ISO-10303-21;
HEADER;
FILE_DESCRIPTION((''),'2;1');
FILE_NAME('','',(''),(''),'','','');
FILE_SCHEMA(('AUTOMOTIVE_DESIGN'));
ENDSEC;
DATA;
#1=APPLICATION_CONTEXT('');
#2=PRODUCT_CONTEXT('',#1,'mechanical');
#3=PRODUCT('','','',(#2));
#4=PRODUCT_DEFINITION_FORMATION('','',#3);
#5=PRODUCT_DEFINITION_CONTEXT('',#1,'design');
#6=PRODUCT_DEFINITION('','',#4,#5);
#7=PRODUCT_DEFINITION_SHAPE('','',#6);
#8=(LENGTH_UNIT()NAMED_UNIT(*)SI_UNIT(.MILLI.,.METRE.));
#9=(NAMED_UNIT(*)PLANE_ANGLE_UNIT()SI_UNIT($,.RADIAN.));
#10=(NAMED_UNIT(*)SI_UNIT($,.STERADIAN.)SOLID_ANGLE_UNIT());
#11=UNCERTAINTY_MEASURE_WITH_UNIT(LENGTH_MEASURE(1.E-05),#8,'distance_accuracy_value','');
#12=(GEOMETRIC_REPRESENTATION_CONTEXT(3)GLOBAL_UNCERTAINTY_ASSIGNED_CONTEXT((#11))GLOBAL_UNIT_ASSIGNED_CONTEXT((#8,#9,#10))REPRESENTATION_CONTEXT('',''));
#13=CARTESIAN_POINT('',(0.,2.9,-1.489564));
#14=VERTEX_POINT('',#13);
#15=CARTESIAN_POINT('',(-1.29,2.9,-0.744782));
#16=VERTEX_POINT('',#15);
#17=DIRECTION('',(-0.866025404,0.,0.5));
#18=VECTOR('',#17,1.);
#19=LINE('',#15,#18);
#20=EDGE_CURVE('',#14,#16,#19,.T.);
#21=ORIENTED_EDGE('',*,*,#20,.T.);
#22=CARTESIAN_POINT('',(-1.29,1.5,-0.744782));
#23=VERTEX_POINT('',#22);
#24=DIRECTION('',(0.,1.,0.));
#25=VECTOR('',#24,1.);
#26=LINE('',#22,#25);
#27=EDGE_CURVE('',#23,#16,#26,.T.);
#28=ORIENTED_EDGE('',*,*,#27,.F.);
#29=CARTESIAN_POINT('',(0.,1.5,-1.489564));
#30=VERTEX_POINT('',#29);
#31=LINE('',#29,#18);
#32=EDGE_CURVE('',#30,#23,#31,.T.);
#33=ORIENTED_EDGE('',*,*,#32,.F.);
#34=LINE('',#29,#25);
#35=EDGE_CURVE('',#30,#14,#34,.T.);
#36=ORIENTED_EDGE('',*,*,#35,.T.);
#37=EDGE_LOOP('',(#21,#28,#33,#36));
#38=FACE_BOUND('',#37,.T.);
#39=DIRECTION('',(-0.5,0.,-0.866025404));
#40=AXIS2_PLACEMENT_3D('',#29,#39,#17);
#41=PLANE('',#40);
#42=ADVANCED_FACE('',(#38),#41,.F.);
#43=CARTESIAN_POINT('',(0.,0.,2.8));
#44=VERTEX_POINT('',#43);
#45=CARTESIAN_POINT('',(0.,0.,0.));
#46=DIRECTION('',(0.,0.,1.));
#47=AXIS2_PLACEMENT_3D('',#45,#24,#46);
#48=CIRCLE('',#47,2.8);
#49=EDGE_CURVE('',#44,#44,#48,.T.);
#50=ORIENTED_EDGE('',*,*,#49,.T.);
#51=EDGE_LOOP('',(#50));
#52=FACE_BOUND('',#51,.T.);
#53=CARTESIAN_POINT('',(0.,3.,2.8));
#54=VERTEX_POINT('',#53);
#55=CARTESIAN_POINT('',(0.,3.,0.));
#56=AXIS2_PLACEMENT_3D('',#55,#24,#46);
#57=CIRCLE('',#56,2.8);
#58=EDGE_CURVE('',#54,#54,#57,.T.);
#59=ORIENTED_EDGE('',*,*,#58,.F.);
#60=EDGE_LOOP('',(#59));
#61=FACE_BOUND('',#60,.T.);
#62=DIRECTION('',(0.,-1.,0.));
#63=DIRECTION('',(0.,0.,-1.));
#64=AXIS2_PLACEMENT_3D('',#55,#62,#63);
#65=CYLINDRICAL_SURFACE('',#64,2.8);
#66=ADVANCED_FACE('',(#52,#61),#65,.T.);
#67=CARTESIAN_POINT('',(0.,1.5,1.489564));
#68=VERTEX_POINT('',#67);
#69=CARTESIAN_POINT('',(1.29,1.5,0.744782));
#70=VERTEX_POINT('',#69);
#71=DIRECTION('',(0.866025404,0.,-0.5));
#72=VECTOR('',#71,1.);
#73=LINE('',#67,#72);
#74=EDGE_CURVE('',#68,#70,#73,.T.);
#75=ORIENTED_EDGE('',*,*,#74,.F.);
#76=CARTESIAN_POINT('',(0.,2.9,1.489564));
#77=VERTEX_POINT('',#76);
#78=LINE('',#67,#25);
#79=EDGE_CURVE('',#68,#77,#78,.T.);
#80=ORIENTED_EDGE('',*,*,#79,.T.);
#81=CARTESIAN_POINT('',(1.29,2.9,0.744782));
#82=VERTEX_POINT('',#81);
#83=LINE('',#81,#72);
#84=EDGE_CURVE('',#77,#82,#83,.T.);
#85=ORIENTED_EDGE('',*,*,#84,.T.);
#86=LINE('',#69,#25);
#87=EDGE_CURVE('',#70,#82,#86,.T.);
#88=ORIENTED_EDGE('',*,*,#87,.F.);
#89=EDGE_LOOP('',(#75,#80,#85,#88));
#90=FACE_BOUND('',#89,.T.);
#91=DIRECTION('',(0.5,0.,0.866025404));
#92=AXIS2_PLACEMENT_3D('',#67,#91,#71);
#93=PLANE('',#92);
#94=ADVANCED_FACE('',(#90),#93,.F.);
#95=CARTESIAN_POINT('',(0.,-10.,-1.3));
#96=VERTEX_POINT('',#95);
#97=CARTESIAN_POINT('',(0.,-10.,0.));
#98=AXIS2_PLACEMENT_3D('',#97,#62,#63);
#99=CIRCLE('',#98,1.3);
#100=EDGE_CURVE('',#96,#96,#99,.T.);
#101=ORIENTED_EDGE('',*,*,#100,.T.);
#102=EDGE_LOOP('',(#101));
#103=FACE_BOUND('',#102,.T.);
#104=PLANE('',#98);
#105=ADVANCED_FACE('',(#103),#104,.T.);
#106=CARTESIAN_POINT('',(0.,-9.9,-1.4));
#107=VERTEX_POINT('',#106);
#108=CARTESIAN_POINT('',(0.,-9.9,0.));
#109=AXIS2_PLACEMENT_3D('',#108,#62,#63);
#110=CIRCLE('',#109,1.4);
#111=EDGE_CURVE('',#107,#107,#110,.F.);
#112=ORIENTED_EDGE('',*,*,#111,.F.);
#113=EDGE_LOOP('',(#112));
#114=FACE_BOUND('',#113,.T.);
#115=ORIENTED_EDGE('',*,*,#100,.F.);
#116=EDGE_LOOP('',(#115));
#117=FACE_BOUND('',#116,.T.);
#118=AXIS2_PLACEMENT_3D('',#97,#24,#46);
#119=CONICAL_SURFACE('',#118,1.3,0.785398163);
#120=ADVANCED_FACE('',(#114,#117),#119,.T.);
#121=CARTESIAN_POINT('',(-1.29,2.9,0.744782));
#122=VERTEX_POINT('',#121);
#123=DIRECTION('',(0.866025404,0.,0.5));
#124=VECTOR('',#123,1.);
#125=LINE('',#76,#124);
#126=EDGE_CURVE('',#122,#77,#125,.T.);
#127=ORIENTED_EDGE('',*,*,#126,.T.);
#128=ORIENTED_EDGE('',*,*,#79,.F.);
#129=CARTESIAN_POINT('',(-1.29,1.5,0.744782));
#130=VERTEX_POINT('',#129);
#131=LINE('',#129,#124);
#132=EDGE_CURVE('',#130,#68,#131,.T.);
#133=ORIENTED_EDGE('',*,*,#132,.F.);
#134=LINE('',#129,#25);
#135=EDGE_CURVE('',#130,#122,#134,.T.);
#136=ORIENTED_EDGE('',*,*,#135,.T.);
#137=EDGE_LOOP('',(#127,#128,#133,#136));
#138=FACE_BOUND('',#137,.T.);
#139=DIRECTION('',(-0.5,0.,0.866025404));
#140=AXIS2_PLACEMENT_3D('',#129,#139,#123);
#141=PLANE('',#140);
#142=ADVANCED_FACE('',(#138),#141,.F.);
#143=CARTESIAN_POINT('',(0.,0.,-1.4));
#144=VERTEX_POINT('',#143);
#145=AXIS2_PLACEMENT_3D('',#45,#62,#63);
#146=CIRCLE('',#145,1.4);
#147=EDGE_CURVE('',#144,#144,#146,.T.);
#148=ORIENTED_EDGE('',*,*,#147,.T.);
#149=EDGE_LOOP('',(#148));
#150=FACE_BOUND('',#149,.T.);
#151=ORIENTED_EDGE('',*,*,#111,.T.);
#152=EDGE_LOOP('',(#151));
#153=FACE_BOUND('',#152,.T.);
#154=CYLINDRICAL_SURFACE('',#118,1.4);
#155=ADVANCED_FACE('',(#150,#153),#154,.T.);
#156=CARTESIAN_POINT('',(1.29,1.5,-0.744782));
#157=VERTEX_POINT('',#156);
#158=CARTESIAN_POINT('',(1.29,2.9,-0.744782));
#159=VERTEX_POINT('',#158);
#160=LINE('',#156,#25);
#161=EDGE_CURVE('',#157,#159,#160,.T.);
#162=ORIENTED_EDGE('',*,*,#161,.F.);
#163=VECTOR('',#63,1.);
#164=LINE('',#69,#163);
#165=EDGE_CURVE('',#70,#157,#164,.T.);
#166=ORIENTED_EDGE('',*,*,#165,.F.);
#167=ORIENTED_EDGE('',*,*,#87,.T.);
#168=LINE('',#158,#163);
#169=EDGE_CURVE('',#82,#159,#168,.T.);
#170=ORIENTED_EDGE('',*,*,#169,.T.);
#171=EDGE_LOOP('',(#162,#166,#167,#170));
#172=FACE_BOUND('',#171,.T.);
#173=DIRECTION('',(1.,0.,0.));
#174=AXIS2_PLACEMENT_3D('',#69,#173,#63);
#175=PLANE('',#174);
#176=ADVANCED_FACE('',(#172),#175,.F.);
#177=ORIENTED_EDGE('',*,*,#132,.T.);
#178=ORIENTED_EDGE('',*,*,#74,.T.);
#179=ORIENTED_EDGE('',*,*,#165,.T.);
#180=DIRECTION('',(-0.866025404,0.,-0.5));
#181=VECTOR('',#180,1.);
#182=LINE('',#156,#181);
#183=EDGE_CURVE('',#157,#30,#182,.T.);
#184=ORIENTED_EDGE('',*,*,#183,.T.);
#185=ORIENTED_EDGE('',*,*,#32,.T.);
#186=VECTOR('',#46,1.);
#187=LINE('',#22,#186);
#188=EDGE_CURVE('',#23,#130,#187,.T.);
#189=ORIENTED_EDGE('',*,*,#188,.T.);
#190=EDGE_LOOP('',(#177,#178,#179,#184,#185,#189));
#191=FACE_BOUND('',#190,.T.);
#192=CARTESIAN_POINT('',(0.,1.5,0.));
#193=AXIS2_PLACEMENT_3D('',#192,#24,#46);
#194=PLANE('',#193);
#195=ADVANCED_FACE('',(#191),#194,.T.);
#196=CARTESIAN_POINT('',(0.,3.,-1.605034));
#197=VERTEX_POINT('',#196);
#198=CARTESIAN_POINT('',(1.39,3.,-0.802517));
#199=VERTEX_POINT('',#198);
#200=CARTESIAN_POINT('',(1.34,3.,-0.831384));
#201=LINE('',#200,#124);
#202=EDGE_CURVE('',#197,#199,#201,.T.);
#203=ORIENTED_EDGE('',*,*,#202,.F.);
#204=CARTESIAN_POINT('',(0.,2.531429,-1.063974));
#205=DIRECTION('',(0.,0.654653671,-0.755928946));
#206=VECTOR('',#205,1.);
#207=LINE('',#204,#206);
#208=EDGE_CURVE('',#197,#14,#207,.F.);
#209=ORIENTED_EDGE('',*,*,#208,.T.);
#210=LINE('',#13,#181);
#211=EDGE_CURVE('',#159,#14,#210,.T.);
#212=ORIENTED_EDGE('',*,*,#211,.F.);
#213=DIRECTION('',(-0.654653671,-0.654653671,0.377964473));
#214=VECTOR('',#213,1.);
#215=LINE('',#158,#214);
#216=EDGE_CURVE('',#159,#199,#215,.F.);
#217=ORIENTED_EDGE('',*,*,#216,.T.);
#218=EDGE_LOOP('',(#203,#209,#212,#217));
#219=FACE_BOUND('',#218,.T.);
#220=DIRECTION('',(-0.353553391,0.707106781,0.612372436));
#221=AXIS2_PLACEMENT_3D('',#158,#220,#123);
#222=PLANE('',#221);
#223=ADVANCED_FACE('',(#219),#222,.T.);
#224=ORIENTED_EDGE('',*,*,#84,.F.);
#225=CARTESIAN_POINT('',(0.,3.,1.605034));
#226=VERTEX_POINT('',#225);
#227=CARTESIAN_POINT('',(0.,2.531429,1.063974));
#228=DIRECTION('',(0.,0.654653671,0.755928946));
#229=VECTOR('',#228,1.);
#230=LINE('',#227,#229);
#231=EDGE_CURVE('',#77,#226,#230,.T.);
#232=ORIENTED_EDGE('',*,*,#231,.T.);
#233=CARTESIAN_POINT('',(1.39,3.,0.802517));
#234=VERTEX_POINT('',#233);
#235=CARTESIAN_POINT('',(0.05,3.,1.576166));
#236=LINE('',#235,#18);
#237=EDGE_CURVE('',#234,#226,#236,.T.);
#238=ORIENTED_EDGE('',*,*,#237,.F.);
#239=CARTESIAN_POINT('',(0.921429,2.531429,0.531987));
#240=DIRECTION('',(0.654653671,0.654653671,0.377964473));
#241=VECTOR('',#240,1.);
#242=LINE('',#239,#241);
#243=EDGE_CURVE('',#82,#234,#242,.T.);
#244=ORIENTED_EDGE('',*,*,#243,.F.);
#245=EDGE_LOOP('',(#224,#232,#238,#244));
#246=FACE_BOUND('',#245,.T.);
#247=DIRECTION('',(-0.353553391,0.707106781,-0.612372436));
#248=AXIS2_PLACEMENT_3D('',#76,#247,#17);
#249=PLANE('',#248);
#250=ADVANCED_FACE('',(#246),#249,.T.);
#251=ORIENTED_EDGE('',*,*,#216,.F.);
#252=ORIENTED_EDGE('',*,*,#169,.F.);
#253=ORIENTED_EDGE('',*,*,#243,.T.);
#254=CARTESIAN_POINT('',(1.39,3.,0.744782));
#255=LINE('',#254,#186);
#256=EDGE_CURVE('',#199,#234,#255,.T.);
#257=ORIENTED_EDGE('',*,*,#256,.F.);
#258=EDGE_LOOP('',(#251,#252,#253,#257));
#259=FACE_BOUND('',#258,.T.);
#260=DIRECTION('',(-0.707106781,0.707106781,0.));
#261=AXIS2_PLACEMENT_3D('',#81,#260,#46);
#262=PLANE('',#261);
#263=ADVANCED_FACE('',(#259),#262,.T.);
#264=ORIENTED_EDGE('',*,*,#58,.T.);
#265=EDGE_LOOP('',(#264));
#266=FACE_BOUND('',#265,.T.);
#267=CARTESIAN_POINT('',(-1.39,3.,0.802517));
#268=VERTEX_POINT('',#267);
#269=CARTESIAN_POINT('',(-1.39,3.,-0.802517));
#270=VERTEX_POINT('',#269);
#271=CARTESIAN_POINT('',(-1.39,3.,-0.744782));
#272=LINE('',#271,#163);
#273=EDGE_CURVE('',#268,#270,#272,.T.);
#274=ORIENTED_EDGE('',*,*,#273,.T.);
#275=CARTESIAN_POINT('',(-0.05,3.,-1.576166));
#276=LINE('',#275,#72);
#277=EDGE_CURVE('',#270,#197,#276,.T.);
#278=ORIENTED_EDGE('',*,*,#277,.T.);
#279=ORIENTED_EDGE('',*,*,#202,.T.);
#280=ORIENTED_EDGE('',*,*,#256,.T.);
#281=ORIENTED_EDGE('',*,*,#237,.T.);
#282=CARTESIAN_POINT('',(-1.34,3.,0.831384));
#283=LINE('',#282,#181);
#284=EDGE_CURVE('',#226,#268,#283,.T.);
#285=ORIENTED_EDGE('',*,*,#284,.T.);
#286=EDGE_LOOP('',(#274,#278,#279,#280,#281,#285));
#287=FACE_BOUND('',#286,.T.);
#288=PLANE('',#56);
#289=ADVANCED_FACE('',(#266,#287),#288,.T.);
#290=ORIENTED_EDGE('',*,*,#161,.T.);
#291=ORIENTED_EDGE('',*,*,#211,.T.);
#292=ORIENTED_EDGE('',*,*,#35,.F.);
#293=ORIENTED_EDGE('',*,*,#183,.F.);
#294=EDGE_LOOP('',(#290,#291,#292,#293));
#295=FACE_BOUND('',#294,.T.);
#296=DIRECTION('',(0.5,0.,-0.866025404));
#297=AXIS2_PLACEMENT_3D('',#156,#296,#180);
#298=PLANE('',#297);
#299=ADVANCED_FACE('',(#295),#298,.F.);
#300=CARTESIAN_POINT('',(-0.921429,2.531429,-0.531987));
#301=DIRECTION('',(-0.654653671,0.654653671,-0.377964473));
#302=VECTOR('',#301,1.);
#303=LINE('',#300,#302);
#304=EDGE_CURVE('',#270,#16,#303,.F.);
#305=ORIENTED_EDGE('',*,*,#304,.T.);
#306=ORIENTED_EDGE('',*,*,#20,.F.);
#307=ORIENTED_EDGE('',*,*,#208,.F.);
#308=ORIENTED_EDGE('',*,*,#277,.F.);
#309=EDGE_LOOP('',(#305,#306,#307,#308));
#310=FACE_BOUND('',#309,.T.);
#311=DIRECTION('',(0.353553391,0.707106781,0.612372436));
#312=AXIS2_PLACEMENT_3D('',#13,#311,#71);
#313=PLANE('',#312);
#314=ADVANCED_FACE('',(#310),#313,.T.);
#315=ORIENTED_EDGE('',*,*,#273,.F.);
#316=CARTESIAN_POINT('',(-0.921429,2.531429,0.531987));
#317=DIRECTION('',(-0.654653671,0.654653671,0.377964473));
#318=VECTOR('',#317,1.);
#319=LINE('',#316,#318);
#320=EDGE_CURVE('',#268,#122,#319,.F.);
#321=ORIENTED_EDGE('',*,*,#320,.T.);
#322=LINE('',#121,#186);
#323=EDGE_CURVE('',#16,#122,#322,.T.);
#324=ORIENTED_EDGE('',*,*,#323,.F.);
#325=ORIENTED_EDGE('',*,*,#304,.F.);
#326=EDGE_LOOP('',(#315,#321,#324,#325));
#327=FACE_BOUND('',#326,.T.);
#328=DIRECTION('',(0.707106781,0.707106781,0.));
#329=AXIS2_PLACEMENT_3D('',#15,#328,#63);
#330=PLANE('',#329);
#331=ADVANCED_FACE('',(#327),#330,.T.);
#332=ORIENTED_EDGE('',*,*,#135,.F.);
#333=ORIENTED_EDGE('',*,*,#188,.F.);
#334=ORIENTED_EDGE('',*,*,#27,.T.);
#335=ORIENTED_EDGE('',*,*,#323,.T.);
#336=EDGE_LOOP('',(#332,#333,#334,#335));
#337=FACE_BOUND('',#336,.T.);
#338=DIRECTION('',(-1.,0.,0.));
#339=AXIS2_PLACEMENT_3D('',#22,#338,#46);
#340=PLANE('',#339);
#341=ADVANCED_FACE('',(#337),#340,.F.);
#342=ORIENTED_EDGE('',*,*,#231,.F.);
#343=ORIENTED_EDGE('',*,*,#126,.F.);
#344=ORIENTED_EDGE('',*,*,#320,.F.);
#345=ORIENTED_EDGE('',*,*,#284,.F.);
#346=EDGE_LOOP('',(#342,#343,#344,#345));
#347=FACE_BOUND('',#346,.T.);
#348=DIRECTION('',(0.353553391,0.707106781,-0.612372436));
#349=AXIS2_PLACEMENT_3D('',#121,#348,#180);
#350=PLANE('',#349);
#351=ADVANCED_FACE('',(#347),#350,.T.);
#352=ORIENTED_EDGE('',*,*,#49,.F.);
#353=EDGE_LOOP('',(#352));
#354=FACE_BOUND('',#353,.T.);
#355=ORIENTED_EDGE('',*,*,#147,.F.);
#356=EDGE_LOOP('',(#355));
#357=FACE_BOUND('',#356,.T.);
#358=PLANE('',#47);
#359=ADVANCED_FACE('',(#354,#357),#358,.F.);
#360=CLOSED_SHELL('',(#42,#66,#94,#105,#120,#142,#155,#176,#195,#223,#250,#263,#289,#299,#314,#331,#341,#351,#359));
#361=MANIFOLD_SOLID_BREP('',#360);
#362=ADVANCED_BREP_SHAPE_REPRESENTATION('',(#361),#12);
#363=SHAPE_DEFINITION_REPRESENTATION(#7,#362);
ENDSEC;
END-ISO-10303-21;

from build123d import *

# Parameters (mm, degrees)
SKETCH_1_R          = 2.8
EXTRUDE_1_DEPTH     = 3
CUT_EXTRUDE_1_DEPTH = 1.5
SKETCH_3_R          = 1.4
EXTRUDE_2_DEPTH     = 10
CHAMFER_1_SIZE      = 0.1


with BuildPart() as part:
    # 草图1 → 凸台-拉伸1 (new body)
    with BuildSketch(Plane(origin=(0, 0, 0), x_dir=(1, 0, 0), z_dir=(0, 1, 0))):
        Circle(SKETCH_1_R)
    extrude(amount=EXTRUDE_1_DEPTH)

    # 草图2 → 切除-拉伸1 (cut)
    with BuildSketch(Plane(origin=(0, 3, 0), x_dir=(1, 0, 0), z_dir=(0, 1, 0))):
        Polygon((0, -1.489563695), (1.29, -0.744781847), (1.29, 0.744781847), (0, 1.489563695), (-1.29, 0.744781847), (-1.29, -0.744781847), align=None)
    extrude(amount=-CUT_EXTRUDE_1_DEPTH, mode=Mode.SUBTRACT)

    # 草图3 → 凸台-拉伸2 (add)
    with BuildSketch(Plane.XZ):
        Circle(SKETCH_3_R)
    extrude(amount=EXTRUDE_2_DEPTH)

    # 倒角1
    chamfer_1_edges = [part.edges().sort_by_distance(p)[0] for p in [
        (-0.645, 3, 1.117172771),
        (0.645, 3, 1.117172771),
        (1.29, 3, 0),
        (0.645, 3, -1.117172771),
        (-0.645, 3, -1.117172771),
        (-1.29, 3, 0),
        (-1.4, -10, 0),
    ]]
    chamfer(chamfer_1_edges, length=CHAMFER_1_SIZE)


solid = part.part
